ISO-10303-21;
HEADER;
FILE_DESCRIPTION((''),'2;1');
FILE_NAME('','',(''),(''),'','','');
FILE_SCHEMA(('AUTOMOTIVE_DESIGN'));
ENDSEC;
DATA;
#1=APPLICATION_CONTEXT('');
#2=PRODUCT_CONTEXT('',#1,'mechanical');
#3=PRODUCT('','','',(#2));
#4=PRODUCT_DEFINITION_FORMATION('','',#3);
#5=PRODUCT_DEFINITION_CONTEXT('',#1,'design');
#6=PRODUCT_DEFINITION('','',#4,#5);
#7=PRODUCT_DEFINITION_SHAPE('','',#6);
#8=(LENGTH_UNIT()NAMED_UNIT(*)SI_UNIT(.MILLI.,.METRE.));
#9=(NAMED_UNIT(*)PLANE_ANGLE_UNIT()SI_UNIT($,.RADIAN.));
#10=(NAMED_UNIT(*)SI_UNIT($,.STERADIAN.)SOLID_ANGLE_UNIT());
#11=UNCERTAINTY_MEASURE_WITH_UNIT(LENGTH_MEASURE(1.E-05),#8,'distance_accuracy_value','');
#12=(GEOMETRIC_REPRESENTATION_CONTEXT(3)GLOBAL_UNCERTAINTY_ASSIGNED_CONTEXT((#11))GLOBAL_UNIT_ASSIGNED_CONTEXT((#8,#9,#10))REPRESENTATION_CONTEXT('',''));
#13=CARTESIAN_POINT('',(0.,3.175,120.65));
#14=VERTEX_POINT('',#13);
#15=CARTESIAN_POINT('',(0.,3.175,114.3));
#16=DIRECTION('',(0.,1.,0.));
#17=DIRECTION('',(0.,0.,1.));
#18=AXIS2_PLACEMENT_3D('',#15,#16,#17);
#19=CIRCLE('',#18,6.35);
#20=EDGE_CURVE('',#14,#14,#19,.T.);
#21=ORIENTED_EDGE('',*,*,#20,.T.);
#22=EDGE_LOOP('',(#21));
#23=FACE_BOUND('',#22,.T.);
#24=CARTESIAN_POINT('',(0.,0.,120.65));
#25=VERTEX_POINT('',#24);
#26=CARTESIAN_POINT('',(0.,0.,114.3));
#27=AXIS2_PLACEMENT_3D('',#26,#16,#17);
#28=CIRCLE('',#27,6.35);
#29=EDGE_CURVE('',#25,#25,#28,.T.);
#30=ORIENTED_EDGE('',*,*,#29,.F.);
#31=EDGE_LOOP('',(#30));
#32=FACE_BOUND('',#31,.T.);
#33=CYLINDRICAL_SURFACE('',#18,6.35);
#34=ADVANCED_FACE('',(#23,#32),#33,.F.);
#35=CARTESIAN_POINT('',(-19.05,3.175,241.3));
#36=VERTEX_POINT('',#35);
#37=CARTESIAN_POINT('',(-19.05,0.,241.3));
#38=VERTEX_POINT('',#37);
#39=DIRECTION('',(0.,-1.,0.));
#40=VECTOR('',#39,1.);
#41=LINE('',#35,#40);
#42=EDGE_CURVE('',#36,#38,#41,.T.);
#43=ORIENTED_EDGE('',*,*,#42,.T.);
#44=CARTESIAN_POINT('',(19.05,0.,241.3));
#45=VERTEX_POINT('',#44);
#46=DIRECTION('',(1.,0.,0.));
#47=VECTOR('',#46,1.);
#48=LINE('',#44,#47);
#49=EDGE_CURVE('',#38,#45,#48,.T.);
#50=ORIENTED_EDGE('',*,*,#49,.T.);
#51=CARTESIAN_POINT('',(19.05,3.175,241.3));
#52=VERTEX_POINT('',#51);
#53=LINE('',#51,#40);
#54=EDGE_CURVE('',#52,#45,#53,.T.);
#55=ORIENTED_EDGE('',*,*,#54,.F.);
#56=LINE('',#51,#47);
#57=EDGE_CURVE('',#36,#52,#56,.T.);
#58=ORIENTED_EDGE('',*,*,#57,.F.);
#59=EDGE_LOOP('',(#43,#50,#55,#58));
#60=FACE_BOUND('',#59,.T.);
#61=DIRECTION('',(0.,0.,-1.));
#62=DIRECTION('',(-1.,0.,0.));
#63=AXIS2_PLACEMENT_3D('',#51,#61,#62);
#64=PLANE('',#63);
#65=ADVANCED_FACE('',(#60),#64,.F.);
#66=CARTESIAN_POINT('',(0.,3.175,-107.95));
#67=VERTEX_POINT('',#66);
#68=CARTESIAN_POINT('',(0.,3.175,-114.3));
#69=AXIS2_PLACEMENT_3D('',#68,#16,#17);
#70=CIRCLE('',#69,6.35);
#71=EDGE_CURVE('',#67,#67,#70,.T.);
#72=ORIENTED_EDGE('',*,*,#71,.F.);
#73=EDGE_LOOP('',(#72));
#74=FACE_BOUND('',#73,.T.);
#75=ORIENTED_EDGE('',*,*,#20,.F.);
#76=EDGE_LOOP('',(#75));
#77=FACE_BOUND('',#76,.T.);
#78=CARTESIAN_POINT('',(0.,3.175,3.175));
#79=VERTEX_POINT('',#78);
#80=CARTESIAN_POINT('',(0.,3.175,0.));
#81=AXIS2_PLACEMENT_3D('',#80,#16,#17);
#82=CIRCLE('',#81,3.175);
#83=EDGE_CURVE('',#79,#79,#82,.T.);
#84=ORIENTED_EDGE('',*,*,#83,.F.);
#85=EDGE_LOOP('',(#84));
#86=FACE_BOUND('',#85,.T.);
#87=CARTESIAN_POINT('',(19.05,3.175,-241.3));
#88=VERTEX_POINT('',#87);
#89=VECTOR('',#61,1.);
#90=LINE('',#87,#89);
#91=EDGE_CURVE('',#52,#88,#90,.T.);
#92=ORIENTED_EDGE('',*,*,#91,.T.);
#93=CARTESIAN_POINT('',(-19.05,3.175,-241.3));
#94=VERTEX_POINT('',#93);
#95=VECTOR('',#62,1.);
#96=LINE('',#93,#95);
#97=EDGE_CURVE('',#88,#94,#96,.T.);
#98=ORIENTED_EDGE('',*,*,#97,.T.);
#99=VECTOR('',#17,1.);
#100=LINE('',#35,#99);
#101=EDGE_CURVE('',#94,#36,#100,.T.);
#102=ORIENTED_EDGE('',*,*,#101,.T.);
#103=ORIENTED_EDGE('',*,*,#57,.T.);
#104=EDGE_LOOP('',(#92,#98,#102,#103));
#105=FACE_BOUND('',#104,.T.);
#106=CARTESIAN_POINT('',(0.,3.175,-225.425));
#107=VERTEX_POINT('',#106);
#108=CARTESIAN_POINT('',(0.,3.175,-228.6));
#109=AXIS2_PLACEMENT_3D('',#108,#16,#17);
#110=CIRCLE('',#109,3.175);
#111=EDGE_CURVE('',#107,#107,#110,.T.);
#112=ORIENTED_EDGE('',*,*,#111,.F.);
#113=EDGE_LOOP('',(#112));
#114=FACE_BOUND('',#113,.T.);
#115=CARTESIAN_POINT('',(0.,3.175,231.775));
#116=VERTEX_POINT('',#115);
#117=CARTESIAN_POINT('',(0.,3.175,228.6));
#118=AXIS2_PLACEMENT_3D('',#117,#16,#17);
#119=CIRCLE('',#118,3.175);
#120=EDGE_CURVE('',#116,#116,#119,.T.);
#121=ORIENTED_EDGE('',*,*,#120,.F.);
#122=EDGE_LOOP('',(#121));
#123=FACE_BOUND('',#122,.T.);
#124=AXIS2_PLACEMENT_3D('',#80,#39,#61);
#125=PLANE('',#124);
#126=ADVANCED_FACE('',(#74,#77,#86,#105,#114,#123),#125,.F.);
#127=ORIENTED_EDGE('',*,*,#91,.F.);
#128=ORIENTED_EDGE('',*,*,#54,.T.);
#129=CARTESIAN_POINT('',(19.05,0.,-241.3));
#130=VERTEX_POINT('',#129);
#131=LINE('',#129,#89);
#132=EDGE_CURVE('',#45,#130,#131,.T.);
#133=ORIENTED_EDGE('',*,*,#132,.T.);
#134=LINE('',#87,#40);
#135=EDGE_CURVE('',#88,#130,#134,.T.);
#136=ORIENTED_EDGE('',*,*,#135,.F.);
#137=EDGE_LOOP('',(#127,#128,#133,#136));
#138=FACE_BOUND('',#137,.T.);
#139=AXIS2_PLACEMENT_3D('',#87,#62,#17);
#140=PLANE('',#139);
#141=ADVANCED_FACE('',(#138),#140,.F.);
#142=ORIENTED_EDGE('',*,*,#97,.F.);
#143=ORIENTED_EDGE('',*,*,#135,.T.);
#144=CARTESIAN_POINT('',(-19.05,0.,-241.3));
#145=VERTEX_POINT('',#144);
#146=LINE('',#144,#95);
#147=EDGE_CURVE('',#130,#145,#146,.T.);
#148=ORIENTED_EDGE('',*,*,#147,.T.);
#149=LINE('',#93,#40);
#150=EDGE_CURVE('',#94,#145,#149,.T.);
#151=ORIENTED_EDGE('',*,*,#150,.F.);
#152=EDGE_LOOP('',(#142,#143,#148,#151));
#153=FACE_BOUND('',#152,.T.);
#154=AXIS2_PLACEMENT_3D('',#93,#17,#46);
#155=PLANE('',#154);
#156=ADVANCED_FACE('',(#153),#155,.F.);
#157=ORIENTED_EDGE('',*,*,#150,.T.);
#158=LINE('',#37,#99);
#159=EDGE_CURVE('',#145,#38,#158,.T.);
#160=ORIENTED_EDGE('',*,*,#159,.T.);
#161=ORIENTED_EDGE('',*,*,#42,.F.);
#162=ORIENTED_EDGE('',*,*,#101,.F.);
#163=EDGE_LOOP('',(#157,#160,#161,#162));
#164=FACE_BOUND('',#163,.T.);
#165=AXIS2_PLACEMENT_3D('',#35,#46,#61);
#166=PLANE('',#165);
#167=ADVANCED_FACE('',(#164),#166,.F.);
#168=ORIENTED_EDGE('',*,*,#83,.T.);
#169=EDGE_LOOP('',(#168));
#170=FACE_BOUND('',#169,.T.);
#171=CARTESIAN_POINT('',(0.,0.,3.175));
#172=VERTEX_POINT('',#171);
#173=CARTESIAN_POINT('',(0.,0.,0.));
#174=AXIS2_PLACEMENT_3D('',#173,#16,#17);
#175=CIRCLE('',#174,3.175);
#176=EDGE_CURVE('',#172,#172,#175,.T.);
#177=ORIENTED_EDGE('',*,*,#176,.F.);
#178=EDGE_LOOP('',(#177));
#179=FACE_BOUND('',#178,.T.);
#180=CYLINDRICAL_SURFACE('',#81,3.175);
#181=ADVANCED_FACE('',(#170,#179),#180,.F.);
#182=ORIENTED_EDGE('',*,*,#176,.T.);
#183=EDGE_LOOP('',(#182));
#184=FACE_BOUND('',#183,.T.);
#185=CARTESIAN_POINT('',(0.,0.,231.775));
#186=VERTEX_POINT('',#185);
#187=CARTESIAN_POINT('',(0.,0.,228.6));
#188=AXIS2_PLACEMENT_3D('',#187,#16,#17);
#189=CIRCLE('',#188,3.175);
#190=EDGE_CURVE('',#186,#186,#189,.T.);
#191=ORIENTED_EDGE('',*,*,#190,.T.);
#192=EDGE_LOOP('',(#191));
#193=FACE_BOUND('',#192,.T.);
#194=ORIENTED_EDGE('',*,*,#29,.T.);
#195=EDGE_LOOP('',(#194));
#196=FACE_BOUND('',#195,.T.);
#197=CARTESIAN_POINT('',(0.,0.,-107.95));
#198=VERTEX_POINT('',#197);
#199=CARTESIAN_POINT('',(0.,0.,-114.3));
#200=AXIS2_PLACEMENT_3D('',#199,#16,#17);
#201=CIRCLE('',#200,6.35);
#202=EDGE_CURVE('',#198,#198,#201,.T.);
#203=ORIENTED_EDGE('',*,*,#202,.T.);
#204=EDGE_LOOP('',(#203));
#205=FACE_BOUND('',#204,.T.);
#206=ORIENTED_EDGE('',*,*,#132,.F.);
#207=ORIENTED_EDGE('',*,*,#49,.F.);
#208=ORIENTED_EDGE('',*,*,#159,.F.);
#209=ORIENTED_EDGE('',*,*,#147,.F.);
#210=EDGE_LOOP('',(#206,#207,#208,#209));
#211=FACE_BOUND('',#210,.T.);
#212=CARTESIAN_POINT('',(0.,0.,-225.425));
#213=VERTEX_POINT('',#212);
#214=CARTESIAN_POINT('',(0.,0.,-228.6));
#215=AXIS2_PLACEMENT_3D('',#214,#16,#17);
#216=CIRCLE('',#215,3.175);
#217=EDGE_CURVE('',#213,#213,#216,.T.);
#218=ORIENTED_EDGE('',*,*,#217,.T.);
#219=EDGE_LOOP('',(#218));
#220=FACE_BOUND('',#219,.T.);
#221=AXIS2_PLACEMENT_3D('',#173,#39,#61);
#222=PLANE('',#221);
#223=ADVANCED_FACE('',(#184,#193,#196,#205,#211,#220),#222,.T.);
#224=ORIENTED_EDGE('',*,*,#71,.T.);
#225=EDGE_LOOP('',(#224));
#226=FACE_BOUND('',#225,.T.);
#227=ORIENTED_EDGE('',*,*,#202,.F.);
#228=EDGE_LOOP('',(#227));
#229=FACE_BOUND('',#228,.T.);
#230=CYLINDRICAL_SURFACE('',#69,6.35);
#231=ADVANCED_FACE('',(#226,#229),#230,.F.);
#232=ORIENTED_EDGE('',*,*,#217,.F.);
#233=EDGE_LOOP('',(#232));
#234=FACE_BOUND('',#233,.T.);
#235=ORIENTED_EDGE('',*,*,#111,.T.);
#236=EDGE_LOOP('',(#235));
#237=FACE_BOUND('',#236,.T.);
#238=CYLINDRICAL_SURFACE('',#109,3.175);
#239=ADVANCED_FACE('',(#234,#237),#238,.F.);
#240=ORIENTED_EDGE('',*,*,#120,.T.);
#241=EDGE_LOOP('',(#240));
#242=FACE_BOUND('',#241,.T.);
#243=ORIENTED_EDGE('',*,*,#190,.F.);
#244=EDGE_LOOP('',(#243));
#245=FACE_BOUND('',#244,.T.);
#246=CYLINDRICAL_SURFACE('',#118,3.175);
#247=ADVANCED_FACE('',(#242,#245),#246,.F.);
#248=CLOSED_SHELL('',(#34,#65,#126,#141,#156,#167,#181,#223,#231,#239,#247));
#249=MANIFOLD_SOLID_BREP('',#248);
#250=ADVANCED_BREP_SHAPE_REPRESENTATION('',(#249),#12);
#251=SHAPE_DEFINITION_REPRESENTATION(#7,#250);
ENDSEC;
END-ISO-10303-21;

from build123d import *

# Parameters (mm, degrees)
SKETCH1_W        = 38.1
SKETCH1_H        = 482.6
EXTRUSION1_DEPTH = 3.175
HOLE1_D          = 6.35
HOLE2_D          = 12.7
EXTRUSION2_START = -3.175
SKETCH6_R        = 6.35
EXTRUSION2_DEPTH = 3.175
HOLE3_D          = 12.7
HOLE4_D          = 3.96875
EXTRUSION3_START = -3.175
SKETCH11_R       = 1.984375
EXTRUSION3_DEPTH = 3.175


with BuildPart() as part:
    # Sketch1 → Extrusion1 (new body)
    with BuildSketch(Plane(origin=(0, 0, 0), x_dir=(-1, 0, 0), z_dir=(0, 1, 0))):
        Rectangle(SKETCH1_W, SKETCH1_H)
    extrude(amount=EXTRUSION1_DEPTH)

    # Hole1 (through all)
    with Locations(Plane(origin=(0, 3.175, 0), x_dir=(1, 0, 0), z_dir=(0, 1, 0))):
        with Locations((0, -228.6), (0, 228.6), (0, 0)):
            Hole(HOLE1_D / 2)

    # Hole2 (through all)
    with Locations(Plane(origin=(0, 3.175, 0), x_dir=(1, 0, 0), z_dir=(0, 1, 0))):
        with Locations((0, -101.6), (0, 101.6)):
            Hole(HOLE2_D / 2)

    # Sketch6 → Extrusion2 (add)
    with BuildSketch(Plane(origin=(0, 3.175, 0), x_dir=(1, 0, 0), z_dir=(0, 1, 0)).offset(EXTRUSION2_START)):
        with Locations((0, -101.6)):
            Circle(SKETCH6_R)
        with Locations((0, 101.6)):
            Circle(SKETCH6_R)
    extrude(amount=EXTRUSION2_DEPTH)

    # Hole3 (through all)
    with Locations(Plane(origin=(0, 3.175, 0), x_dir=(1, 0, 0), z_dir=(0, 1, 0))):
        with Locations((0, 114.3), (0, -114.3)):
            Hole(HOLE3_D / 2)

    # Hole4 (through all)
    with Locations(Plane(origin=(0, 3.175, 0), x_dir=(1, 0, 0), z_dir=(0, 1, 0))):
        with Locations((0, -88.9), (0, -139.7), (0, 88.9), (0, 139.7)):
            Hole(HOLE4_D / 2)

    # Sketch11 → Extrusion3 (add)
    with BuildSketch(Plane(origin=(0, 3.175, 0), x_dir=(1, 0, 0), z_dir=(0, 1, 0)).offset(EXTRUSION3_START)):
        with Locations((0, 88.9)):
            Circle(SKETCH11_R)
        with Locations((0, -88.9)):
            Circle(SKETCH11_R)
        with Locations((0, -139.7)):
            Circle(SKETCH11_R)
        with Locations((0, 139.7)):
            Circle(SKETCH11_R)
    extrude(amount=EXTRUSION3_DEPTH)


solid = part.part
